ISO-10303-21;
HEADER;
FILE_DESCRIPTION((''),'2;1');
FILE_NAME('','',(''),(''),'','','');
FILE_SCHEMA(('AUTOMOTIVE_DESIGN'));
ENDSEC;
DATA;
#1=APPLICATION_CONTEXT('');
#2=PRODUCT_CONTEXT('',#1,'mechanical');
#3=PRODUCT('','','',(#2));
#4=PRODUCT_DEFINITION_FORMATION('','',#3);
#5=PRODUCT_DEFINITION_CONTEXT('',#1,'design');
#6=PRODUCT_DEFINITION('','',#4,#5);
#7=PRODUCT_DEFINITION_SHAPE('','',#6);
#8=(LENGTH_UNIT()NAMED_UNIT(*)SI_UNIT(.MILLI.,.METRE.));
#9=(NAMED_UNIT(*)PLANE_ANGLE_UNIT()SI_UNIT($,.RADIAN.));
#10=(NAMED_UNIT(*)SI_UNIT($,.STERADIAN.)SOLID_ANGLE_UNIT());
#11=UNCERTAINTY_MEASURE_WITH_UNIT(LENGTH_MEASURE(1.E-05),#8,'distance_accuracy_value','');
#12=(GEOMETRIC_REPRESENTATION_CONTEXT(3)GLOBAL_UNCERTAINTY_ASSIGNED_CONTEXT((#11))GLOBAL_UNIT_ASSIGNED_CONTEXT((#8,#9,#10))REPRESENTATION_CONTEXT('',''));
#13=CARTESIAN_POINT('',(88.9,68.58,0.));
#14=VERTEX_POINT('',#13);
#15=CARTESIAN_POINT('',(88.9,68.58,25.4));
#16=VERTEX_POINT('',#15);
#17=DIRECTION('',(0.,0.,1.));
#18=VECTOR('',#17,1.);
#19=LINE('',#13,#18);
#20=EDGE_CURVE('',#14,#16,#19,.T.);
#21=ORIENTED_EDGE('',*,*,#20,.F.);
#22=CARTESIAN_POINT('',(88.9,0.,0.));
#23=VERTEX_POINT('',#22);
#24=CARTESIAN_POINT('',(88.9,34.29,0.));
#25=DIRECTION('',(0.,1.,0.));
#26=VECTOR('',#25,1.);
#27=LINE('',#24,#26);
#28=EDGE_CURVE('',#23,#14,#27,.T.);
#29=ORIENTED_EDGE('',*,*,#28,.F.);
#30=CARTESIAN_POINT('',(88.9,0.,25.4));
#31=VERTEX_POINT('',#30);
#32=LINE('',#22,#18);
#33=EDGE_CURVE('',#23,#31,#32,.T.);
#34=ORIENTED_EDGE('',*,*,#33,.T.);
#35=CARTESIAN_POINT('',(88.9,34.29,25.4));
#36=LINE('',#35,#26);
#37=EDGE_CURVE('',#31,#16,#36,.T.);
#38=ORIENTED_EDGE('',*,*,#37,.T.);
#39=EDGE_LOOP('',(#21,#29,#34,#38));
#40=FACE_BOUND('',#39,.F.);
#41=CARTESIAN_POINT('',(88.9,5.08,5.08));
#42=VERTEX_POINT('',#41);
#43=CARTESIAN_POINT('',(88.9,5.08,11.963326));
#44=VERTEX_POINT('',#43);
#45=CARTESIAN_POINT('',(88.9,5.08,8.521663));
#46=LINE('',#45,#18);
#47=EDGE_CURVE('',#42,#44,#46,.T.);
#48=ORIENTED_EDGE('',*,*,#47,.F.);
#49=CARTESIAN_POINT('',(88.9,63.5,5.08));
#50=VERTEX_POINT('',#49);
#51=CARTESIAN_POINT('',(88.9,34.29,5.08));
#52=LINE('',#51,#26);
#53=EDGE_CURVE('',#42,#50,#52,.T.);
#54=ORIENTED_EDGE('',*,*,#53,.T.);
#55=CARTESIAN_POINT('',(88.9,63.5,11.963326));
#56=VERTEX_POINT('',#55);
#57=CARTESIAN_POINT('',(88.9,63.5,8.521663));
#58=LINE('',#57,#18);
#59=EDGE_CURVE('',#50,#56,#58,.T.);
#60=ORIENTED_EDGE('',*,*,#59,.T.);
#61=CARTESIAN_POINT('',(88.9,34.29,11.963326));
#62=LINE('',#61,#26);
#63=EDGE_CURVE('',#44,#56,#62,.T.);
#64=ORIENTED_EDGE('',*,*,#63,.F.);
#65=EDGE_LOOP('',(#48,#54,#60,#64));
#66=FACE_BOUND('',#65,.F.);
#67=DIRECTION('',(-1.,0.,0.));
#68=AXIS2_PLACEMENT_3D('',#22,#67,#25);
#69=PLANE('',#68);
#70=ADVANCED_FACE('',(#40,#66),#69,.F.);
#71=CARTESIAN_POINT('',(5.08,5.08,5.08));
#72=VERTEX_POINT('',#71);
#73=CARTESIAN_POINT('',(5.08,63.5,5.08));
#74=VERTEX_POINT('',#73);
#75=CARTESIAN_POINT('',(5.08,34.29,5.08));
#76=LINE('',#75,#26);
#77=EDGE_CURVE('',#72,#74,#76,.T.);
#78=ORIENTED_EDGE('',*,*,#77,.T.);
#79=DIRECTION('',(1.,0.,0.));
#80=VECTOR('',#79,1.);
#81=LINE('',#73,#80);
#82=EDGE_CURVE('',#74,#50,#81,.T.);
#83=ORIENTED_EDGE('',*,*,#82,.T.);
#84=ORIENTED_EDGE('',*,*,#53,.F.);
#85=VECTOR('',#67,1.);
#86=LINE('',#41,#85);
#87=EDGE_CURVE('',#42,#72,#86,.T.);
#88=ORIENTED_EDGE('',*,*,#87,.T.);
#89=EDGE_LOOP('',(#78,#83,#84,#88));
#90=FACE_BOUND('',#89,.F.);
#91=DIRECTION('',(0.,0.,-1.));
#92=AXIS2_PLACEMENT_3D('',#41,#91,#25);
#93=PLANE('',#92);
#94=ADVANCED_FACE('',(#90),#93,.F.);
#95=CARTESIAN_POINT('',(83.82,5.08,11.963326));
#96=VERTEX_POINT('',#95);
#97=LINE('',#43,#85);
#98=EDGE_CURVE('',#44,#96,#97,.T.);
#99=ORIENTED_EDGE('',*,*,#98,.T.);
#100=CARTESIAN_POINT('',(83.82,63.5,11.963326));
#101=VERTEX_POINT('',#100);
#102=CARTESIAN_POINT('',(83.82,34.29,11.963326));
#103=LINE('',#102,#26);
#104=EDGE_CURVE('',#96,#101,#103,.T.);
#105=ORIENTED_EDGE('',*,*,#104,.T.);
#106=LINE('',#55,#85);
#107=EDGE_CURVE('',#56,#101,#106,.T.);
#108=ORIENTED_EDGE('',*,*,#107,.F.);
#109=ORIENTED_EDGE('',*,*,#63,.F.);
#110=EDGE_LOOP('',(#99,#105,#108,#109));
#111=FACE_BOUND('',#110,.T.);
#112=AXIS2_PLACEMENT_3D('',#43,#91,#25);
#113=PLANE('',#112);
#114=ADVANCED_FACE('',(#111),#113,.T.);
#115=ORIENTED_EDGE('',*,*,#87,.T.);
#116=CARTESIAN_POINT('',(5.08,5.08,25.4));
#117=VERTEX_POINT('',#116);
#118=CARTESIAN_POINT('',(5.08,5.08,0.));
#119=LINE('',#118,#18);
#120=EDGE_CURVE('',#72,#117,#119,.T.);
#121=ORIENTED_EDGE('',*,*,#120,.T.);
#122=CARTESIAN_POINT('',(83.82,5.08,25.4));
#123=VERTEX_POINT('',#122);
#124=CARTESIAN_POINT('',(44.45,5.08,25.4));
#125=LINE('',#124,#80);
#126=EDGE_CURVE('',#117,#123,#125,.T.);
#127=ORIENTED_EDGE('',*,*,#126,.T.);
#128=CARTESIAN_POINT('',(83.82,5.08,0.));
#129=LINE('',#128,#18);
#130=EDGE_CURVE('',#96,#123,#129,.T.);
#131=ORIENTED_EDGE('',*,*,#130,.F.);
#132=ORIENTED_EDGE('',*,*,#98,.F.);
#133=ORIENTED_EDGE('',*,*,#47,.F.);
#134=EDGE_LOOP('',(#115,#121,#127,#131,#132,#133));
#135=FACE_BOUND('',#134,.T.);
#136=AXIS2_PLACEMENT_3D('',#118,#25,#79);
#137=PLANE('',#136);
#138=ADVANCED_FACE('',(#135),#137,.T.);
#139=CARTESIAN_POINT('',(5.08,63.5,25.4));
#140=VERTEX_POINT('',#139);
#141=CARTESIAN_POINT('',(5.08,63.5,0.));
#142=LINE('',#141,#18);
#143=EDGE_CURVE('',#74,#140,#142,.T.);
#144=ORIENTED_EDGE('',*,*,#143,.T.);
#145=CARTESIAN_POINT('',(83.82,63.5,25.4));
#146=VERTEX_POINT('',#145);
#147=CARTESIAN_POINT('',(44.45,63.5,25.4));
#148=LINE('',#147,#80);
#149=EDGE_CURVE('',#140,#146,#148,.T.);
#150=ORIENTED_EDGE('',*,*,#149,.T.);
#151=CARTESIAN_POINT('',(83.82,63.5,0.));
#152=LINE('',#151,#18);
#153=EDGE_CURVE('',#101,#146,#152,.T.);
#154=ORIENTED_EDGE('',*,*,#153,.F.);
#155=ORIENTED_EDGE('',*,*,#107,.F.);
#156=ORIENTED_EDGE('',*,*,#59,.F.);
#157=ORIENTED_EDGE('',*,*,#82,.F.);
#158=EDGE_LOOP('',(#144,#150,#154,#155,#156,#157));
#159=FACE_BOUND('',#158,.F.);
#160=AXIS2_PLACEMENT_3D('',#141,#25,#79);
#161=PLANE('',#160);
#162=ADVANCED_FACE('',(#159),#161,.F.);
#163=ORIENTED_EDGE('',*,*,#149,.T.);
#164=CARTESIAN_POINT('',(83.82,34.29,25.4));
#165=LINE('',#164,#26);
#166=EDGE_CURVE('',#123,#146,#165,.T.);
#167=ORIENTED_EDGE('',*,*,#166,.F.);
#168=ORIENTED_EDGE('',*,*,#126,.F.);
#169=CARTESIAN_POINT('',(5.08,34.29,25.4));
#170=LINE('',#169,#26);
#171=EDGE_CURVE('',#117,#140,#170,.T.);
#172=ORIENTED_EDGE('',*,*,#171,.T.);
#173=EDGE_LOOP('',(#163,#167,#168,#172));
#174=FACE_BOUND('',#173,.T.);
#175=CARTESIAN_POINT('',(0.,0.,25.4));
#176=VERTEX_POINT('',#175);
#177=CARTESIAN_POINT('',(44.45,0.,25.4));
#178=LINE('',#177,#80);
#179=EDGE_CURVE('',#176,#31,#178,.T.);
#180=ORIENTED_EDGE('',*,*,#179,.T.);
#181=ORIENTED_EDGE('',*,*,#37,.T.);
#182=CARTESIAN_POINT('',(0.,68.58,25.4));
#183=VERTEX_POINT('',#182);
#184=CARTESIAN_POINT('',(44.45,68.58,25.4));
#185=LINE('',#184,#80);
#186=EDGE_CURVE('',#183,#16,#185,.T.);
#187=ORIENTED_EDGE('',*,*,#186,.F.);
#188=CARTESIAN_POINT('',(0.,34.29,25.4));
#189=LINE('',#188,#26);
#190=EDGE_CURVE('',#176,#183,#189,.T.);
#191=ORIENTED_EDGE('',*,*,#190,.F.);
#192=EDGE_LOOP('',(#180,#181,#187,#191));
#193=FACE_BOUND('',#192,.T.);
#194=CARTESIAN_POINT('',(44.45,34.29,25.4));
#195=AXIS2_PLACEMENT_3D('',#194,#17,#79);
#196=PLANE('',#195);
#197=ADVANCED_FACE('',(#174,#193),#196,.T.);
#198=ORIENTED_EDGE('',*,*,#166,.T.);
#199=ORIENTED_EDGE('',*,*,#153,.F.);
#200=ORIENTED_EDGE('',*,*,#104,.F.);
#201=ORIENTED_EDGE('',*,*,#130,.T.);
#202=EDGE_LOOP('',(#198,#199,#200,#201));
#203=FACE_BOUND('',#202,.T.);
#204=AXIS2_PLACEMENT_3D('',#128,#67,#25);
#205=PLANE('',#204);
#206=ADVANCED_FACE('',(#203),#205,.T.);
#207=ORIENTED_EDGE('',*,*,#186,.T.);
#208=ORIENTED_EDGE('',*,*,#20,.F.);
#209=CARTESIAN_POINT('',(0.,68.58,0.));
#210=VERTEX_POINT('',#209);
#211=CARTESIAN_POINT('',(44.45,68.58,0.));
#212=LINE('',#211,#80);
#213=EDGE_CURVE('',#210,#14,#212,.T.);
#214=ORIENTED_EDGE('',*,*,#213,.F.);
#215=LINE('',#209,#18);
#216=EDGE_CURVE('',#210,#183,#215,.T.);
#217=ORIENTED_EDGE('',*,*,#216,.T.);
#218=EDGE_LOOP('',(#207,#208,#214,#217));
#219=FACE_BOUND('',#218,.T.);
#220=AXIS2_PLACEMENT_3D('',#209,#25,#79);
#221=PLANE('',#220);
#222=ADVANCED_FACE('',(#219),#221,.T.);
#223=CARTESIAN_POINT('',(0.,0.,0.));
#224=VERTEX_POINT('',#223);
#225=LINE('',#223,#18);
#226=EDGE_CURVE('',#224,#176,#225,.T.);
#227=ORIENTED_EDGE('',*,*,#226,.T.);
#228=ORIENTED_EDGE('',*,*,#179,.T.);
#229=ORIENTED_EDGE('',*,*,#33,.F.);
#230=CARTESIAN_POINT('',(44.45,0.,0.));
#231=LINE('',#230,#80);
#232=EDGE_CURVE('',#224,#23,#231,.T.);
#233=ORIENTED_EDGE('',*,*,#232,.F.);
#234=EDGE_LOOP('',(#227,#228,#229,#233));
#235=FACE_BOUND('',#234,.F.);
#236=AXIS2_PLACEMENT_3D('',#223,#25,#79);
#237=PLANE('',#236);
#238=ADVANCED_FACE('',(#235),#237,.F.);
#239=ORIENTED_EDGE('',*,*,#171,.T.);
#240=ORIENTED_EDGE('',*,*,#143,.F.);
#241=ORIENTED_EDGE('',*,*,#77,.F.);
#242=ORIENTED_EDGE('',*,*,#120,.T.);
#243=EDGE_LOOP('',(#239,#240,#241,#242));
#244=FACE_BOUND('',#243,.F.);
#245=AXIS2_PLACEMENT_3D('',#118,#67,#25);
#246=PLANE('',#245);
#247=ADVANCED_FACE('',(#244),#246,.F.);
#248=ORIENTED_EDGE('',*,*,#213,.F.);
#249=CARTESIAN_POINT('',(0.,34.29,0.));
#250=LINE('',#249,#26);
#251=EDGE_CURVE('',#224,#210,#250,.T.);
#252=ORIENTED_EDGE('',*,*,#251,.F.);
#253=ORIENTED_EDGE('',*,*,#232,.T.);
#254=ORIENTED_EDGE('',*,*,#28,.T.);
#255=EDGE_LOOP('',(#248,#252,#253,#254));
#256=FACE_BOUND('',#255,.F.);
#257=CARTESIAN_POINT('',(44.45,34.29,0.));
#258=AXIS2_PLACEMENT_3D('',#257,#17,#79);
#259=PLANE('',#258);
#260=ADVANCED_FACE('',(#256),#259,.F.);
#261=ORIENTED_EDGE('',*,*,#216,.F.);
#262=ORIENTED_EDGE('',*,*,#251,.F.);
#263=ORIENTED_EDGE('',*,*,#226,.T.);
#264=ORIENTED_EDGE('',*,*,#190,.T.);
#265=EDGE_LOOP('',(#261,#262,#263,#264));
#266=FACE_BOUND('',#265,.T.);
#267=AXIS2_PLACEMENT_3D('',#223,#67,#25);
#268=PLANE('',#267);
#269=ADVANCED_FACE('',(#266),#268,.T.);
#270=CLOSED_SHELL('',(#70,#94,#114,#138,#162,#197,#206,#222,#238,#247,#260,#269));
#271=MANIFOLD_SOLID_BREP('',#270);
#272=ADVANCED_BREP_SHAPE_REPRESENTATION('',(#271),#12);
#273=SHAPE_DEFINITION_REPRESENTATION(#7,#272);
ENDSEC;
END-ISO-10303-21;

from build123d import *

# Parameters (mm, degrees)
F0_W     = 78.74
F0_H     = 58.42
F1_DEPTH = 5.08
F0_W_2   = 88.9
F0_H_2   = 68.58
F2_DEPTH = 25.4
F3_W     = 58.42
F3_H     = 6.883326
F4_DEPTH = 5.08


with BuildPart() as f1:
    # F0 (on Top) → F1 (new body)
    with BuildSketch(Plane.XY):
        with Locations((44.45, 34.29)):
            Rectangle(F0_W, F0_H)
    extrude(amount=F1_DEPTH)

    # F0 (on Top) → F2 (join)
    with BuildSketch(Plane.XY):
        with Locations((44.45, 34.29)):
            Rectangle(F0_W_2, F0_H_2)
        with Locations((44.45, 34.29)):
            Rectangle(F0_W, F0_H, mode=Mode.SUBTRACT)
    extrude(amount=F2_DEPTH)

    # F3 (on face) → F4 (cut)
    with BuildSketch(Plane.YZ.offset(88.9)):
        with Locations((34.29, 8.521663)):
            Rectangle(F3_W, F3_H)
    extrude(amount=-F4_DEPTH, mode=Mode.SUBTRACT)


solid = f1.part
